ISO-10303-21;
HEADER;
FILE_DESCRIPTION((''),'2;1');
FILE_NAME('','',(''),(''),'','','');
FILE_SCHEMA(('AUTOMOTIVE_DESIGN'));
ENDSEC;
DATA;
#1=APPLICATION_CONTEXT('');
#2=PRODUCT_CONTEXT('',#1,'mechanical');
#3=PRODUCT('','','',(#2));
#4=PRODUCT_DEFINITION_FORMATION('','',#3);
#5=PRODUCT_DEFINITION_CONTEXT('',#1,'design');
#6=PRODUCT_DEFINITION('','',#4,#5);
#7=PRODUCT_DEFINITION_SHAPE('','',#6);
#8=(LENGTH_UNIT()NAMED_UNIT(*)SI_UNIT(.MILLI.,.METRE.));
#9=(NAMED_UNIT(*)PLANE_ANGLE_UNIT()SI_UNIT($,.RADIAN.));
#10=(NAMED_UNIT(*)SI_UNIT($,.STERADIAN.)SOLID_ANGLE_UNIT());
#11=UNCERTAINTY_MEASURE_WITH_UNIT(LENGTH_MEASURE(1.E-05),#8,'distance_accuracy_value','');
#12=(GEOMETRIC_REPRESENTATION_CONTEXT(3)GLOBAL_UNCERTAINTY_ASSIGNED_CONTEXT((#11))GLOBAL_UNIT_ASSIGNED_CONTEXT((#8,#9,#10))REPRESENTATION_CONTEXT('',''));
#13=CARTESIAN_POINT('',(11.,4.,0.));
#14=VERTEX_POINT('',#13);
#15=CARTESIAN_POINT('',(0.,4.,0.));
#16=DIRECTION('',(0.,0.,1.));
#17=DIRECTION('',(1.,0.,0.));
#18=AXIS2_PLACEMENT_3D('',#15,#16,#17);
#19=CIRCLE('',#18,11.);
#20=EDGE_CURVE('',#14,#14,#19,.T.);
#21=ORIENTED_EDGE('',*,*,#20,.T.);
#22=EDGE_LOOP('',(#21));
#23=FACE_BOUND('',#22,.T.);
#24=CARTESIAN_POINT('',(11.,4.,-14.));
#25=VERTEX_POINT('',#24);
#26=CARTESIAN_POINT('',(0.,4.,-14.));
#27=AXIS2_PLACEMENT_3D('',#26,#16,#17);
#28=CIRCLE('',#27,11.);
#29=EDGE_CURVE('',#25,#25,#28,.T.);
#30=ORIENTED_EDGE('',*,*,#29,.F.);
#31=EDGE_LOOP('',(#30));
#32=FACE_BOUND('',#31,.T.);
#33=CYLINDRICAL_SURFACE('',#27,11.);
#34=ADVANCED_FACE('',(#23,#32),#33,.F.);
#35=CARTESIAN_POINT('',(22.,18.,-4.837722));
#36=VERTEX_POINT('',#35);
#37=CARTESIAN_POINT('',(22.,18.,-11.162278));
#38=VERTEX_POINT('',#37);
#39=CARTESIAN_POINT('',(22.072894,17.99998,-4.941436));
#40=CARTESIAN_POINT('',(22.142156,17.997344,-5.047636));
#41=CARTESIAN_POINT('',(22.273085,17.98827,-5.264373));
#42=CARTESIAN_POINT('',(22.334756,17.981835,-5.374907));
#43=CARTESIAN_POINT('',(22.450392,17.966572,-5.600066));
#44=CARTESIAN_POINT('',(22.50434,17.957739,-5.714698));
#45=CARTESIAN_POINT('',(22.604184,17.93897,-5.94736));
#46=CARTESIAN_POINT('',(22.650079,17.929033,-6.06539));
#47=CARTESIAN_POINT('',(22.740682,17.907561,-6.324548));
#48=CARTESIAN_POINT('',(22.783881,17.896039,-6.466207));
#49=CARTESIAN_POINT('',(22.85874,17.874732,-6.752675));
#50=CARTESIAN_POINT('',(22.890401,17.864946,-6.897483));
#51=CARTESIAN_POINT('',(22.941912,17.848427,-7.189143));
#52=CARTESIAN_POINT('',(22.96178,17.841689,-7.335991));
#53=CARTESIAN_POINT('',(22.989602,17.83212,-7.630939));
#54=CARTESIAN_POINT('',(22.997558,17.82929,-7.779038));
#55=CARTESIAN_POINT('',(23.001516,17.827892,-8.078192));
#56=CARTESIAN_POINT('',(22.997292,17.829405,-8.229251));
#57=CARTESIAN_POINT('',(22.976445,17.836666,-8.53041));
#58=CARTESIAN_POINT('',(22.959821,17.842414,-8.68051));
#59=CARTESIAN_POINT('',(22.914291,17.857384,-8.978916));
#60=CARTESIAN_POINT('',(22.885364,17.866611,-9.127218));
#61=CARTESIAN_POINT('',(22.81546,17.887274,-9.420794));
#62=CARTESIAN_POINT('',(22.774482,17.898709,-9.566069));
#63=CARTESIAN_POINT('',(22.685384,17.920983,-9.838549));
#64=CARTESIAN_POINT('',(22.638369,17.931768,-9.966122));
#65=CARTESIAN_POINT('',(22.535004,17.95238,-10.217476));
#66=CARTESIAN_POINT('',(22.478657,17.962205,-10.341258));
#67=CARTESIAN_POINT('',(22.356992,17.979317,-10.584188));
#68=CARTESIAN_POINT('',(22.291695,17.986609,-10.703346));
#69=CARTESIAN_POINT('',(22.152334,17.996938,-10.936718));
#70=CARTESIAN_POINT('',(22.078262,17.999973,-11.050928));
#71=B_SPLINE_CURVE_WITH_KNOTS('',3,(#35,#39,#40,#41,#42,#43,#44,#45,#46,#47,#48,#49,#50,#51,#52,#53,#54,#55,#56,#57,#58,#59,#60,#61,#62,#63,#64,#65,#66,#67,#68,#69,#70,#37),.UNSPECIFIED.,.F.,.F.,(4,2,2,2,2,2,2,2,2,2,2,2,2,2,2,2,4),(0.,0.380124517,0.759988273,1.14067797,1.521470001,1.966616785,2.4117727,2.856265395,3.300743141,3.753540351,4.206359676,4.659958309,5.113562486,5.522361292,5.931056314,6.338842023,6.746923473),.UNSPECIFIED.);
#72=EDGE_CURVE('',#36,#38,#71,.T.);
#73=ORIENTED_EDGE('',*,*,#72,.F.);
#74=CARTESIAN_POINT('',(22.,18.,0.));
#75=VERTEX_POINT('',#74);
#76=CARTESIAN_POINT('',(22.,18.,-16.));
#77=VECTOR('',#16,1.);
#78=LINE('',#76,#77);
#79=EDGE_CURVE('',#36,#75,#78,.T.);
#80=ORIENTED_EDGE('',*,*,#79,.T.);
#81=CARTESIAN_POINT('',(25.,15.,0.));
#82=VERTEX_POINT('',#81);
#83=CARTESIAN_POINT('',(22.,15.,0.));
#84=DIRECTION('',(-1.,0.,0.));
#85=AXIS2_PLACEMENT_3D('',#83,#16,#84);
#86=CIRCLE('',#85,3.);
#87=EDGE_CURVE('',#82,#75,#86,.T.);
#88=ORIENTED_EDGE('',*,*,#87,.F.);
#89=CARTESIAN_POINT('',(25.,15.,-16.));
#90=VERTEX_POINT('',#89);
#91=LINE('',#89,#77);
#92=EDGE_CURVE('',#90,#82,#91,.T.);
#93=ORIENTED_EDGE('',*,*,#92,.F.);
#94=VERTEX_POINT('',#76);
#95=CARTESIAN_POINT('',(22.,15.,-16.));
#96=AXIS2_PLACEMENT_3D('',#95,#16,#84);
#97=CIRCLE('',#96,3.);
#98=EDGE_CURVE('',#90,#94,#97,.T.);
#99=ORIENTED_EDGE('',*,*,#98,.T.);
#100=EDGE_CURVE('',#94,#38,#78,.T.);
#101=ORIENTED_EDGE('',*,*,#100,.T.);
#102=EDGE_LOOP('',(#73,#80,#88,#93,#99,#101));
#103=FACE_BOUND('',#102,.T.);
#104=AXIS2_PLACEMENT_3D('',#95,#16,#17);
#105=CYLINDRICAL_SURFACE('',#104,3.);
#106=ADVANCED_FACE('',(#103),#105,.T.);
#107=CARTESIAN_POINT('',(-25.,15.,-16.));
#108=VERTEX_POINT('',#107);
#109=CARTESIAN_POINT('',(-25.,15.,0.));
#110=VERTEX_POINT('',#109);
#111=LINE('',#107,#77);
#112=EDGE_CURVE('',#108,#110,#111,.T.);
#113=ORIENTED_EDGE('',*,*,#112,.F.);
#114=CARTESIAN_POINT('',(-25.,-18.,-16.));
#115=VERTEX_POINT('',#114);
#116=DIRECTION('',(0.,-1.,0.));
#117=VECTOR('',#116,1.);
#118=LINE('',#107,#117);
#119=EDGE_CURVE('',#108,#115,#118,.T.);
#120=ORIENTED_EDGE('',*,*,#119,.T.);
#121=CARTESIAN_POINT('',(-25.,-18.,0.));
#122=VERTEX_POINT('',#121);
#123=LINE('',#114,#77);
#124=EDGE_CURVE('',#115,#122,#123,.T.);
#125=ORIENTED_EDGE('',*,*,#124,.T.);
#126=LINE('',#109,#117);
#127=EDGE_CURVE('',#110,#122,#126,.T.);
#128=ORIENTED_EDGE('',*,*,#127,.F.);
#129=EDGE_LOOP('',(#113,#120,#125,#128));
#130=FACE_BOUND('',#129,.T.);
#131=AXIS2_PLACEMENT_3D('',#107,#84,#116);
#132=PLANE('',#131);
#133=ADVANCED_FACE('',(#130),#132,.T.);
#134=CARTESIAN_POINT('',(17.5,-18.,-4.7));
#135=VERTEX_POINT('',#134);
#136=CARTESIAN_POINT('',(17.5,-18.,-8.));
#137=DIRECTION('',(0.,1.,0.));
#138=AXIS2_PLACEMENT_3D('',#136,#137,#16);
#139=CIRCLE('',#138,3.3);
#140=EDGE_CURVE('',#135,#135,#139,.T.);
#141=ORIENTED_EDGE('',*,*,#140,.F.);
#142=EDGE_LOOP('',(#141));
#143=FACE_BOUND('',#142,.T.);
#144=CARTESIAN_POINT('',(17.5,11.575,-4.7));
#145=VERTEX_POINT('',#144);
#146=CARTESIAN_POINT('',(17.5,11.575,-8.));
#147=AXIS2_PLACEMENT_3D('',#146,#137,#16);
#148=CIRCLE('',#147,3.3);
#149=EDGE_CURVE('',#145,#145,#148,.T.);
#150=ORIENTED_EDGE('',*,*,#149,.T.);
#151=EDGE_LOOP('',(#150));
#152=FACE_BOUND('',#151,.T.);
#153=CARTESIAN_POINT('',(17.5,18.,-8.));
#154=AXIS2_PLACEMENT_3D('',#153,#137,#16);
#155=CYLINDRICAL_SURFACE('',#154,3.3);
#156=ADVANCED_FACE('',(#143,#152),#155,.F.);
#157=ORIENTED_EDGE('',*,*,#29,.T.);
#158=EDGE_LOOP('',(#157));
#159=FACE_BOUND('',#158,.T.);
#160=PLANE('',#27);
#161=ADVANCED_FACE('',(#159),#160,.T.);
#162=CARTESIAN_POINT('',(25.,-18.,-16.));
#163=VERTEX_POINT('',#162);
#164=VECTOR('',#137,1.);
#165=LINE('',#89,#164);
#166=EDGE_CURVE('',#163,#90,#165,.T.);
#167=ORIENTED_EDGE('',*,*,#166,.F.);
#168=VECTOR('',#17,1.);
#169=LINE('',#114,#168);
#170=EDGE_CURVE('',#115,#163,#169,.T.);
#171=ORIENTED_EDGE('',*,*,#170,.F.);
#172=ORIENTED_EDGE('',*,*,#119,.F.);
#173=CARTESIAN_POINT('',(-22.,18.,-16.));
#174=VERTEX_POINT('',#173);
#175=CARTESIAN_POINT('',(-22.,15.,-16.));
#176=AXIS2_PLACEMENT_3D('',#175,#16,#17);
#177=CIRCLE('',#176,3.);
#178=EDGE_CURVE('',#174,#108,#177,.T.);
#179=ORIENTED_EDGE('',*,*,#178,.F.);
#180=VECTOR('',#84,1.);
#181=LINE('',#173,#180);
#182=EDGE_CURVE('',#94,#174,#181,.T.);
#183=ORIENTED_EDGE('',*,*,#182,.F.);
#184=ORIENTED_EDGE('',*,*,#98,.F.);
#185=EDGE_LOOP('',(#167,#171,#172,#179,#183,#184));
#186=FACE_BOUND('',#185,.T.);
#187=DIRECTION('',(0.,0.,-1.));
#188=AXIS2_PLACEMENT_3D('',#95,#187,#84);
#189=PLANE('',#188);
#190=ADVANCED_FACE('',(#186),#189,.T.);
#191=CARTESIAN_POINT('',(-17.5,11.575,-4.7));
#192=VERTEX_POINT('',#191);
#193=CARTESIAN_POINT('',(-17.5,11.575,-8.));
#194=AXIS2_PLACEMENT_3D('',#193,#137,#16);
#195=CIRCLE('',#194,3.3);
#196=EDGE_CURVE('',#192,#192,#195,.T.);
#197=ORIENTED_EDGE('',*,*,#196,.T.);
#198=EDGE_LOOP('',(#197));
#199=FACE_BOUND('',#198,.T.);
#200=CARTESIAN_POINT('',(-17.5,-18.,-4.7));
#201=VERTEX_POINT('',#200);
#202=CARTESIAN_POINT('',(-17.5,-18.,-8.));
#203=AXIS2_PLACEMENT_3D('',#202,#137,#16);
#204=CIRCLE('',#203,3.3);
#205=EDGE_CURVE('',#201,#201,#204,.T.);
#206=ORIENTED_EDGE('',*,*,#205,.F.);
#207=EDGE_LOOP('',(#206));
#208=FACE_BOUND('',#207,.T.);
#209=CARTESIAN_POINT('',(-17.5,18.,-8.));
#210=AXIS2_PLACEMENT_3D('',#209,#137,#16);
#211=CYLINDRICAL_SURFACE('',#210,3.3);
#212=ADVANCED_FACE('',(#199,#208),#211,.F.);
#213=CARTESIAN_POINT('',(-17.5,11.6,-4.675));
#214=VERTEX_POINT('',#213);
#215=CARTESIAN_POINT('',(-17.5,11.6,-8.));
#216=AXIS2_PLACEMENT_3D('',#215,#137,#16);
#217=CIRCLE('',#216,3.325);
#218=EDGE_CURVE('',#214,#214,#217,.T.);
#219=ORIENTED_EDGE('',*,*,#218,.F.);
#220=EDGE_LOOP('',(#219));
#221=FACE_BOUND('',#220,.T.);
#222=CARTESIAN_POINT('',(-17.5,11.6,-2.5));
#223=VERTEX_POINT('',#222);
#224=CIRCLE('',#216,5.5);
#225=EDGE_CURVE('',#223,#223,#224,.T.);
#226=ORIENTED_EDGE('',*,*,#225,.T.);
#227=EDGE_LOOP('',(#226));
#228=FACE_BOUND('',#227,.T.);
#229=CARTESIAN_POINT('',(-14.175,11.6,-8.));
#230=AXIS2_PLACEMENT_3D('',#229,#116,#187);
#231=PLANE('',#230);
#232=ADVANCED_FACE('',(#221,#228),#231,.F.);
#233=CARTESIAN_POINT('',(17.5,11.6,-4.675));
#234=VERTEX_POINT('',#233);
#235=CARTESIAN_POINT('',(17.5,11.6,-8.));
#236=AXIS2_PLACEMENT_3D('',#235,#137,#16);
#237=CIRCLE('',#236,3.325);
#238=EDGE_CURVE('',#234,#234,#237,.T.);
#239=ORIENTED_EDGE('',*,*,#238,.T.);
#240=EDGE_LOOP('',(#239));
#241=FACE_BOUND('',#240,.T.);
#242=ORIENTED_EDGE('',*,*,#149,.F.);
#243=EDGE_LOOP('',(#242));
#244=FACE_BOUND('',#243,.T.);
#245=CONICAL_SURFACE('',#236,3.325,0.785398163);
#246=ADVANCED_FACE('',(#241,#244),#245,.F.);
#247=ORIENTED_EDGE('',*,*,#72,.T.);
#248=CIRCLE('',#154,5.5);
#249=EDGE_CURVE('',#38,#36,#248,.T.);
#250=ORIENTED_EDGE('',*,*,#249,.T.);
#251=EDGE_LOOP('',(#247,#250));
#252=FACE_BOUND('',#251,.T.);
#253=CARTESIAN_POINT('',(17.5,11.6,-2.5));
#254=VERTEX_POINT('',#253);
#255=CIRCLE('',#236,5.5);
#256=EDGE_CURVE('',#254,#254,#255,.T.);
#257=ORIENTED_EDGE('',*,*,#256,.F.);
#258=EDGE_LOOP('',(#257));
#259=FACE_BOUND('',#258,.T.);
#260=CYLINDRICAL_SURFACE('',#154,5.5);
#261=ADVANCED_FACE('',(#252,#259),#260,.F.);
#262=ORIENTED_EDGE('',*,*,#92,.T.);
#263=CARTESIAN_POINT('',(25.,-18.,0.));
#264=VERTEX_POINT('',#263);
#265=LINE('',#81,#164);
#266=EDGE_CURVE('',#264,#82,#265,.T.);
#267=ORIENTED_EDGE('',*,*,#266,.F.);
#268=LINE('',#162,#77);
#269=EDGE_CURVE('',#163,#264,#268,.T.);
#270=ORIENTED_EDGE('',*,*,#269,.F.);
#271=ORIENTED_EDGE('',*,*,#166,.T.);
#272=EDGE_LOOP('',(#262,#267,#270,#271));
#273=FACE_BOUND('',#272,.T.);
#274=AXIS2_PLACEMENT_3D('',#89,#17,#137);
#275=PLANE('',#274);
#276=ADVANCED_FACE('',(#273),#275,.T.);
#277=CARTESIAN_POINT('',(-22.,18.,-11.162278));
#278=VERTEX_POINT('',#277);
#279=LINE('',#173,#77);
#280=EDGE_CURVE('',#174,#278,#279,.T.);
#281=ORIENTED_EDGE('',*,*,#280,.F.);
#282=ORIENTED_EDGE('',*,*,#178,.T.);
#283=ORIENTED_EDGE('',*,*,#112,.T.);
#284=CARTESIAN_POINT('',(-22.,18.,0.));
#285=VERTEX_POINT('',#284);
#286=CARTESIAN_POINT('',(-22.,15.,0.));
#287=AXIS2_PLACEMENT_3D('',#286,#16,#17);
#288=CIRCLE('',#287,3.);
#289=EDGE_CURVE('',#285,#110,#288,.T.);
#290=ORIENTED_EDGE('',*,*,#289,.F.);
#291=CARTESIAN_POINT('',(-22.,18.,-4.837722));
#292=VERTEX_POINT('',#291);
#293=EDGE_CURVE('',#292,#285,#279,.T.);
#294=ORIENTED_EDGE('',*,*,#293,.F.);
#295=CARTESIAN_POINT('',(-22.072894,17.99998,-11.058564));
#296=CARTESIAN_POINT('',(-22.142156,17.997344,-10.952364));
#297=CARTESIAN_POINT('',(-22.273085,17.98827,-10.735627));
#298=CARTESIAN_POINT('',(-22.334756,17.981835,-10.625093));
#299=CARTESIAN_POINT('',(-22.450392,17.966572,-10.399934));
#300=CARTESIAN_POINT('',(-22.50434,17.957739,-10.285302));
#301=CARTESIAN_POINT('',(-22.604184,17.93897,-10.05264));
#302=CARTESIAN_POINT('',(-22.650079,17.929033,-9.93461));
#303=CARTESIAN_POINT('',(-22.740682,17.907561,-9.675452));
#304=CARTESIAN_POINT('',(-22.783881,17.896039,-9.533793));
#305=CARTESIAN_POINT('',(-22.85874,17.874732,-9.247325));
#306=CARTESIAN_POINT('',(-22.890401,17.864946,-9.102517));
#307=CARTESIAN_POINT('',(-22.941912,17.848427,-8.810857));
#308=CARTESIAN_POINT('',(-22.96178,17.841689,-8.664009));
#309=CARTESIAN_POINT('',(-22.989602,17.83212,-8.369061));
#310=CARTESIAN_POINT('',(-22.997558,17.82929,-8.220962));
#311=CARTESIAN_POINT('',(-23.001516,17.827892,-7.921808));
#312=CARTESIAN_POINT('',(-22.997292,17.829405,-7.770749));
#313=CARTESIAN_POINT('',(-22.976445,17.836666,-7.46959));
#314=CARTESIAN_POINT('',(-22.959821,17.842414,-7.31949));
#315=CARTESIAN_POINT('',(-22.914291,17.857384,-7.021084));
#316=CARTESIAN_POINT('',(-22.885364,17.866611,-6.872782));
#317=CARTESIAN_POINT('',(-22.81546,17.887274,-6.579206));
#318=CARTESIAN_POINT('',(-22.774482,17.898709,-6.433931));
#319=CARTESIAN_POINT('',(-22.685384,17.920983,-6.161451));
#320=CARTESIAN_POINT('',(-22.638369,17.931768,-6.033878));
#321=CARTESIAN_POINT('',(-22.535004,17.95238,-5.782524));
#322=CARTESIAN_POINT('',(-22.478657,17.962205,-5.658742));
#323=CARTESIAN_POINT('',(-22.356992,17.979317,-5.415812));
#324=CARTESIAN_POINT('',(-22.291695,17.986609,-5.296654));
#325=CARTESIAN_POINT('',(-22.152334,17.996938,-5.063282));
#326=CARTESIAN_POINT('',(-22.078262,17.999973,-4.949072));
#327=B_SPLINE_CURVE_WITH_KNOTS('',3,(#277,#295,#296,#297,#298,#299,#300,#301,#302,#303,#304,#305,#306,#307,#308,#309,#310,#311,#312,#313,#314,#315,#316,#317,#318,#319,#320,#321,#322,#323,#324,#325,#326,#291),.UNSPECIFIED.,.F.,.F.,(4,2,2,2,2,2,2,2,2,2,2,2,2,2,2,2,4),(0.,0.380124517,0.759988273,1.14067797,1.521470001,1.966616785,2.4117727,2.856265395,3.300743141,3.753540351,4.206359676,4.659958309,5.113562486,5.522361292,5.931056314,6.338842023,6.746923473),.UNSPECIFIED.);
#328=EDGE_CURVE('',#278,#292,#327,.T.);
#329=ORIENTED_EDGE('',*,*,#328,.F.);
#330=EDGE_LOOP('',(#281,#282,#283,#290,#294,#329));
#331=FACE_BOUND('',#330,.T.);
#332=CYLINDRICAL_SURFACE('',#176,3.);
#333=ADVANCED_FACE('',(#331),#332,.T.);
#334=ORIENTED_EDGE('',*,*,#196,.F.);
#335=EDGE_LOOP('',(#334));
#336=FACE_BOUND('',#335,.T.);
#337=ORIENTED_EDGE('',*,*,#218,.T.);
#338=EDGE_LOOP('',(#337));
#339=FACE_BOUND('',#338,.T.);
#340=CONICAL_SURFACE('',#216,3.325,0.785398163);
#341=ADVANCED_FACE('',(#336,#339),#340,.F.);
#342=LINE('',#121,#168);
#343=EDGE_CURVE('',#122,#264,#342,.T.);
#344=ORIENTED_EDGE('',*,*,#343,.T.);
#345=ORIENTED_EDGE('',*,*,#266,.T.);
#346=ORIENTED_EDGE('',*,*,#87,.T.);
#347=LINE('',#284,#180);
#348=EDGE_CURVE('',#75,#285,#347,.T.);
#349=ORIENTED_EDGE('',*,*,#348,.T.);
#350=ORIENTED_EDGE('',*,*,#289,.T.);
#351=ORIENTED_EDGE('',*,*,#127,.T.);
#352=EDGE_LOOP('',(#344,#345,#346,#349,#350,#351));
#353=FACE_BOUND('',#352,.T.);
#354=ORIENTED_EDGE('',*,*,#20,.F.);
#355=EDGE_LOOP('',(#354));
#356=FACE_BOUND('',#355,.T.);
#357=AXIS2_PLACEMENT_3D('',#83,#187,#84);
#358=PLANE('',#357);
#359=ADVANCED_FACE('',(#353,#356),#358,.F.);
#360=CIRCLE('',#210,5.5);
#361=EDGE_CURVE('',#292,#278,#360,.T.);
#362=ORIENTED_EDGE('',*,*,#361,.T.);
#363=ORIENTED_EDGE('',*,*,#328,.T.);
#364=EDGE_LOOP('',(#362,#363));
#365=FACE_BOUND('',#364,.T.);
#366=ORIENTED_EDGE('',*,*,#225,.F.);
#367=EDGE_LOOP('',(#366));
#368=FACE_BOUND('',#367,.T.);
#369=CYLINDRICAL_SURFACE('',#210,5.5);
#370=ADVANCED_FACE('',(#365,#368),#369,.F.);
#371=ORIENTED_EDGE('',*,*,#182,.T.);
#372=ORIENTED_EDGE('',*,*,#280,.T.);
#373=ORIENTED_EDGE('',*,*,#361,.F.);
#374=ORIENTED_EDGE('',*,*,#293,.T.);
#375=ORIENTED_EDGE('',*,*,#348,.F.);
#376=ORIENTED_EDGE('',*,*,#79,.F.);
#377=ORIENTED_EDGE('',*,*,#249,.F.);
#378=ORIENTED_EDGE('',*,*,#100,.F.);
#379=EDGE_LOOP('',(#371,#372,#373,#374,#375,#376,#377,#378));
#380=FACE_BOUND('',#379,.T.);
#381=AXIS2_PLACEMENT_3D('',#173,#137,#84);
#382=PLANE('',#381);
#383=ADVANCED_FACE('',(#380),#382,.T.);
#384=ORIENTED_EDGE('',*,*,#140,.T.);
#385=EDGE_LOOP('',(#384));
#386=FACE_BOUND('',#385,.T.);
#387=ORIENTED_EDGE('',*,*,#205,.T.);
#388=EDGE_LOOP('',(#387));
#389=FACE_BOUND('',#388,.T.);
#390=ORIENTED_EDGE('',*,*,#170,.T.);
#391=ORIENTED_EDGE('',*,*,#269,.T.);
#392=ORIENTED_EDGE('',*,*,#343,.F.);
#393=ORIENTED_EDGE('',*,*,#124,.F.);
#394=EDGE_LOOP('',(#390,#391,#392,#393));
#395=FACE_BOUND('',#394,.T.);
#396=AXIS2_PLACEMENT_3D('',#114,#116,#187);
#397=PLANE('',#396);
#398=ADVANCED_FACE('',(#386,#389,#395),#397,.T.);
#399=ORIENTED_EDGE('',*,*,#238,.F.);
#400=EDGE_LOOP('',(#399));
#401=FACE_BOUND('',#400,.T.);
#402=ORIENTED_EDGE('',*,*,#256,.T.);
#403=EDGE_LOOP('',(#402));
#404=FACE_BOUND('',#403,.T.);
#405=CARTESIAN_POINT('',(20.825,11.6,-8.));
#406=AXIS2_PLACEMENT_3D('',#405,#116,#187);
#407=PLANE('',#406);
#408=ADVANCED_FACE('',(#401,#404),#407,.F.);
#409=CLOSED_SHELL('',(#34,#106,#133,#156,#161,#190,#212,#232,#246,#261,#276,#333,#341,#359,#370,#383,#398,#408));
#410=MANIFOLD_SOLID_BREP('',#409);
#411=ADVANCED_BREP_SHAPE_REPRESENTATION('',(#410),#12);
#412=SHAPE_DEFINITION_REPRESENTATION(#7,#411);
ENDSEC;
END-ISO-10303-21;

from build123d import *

# Parameters (mm, degrees)
EXTRUDE_349_DEPTH        = 16
HOLE_WIZARD_6_AT_2_COUNT = 2
HOLE_WIZARD_6_AT_2_PITCH = 35
SKETCH_14_R              = 11
CUT_EXTRUDE_608_DEPTH    = 14


with BuildPart() as part:
    # Эскиз8 → Extrude 349 (new body)
    with BuildSketch(Plane.XY):
        with BuildLine():
            Line((-22, 18), (22, 18))
            ThreePointArc((22, 18), (24.121320344, 17.121320344), (25, 15))
            Line((25, 15), (25, -18))
            Line((25, -18), (-25, -18))
            Line((-25, -18), (-25, 15))
            ThreePointArc((-25, 15), (-24.121320344, 17.121320344), (-22, 18))
        make_face()
    extrude(amount=-EXTRUDE_349_DEPTH)

    # Эскиз11 → Крепление-М6 (revolve, cut)
    with BuildSketch(Plane(origin=(-17.5, 18, -8), x_dir=(0, 0, 1), z_dir=(1, 0, 0))):
        Polygon((0, 0), (0, 36), (3.3, 36), (3.3, 6.425), (3.325, 6.4), (5.5, 6.4), (5.5, 0), align=None)
    hole_wizard_6 = revolve(axis=Axis((-17.5, 24.35, -8), (0, -1, 0)), mode=Mode.SUBTRACT)

    # Крепление-М6 at 2: Крепление-М6 ×2
    with Locations(*[(i * HOLE_WIZARD_6_AT_2_PITCH, 0, 0) for i in range(1, HOLE_WIZARD_6_AT_2_COUNT)]):
        add(hole_wizard_6, mode=Mode.SUBTRACT)

    # Эскиз14 → Вырез-608 (cut)
    with BuildSketch(Plane.XY):
        with Locations((0, 4)):
            Circle(SKETCH_14_R)
    extrude(amount=-CUT_EXTRUDE_608_DEPTH, mode=Mode.SUBTRACT)


solid = part.part
